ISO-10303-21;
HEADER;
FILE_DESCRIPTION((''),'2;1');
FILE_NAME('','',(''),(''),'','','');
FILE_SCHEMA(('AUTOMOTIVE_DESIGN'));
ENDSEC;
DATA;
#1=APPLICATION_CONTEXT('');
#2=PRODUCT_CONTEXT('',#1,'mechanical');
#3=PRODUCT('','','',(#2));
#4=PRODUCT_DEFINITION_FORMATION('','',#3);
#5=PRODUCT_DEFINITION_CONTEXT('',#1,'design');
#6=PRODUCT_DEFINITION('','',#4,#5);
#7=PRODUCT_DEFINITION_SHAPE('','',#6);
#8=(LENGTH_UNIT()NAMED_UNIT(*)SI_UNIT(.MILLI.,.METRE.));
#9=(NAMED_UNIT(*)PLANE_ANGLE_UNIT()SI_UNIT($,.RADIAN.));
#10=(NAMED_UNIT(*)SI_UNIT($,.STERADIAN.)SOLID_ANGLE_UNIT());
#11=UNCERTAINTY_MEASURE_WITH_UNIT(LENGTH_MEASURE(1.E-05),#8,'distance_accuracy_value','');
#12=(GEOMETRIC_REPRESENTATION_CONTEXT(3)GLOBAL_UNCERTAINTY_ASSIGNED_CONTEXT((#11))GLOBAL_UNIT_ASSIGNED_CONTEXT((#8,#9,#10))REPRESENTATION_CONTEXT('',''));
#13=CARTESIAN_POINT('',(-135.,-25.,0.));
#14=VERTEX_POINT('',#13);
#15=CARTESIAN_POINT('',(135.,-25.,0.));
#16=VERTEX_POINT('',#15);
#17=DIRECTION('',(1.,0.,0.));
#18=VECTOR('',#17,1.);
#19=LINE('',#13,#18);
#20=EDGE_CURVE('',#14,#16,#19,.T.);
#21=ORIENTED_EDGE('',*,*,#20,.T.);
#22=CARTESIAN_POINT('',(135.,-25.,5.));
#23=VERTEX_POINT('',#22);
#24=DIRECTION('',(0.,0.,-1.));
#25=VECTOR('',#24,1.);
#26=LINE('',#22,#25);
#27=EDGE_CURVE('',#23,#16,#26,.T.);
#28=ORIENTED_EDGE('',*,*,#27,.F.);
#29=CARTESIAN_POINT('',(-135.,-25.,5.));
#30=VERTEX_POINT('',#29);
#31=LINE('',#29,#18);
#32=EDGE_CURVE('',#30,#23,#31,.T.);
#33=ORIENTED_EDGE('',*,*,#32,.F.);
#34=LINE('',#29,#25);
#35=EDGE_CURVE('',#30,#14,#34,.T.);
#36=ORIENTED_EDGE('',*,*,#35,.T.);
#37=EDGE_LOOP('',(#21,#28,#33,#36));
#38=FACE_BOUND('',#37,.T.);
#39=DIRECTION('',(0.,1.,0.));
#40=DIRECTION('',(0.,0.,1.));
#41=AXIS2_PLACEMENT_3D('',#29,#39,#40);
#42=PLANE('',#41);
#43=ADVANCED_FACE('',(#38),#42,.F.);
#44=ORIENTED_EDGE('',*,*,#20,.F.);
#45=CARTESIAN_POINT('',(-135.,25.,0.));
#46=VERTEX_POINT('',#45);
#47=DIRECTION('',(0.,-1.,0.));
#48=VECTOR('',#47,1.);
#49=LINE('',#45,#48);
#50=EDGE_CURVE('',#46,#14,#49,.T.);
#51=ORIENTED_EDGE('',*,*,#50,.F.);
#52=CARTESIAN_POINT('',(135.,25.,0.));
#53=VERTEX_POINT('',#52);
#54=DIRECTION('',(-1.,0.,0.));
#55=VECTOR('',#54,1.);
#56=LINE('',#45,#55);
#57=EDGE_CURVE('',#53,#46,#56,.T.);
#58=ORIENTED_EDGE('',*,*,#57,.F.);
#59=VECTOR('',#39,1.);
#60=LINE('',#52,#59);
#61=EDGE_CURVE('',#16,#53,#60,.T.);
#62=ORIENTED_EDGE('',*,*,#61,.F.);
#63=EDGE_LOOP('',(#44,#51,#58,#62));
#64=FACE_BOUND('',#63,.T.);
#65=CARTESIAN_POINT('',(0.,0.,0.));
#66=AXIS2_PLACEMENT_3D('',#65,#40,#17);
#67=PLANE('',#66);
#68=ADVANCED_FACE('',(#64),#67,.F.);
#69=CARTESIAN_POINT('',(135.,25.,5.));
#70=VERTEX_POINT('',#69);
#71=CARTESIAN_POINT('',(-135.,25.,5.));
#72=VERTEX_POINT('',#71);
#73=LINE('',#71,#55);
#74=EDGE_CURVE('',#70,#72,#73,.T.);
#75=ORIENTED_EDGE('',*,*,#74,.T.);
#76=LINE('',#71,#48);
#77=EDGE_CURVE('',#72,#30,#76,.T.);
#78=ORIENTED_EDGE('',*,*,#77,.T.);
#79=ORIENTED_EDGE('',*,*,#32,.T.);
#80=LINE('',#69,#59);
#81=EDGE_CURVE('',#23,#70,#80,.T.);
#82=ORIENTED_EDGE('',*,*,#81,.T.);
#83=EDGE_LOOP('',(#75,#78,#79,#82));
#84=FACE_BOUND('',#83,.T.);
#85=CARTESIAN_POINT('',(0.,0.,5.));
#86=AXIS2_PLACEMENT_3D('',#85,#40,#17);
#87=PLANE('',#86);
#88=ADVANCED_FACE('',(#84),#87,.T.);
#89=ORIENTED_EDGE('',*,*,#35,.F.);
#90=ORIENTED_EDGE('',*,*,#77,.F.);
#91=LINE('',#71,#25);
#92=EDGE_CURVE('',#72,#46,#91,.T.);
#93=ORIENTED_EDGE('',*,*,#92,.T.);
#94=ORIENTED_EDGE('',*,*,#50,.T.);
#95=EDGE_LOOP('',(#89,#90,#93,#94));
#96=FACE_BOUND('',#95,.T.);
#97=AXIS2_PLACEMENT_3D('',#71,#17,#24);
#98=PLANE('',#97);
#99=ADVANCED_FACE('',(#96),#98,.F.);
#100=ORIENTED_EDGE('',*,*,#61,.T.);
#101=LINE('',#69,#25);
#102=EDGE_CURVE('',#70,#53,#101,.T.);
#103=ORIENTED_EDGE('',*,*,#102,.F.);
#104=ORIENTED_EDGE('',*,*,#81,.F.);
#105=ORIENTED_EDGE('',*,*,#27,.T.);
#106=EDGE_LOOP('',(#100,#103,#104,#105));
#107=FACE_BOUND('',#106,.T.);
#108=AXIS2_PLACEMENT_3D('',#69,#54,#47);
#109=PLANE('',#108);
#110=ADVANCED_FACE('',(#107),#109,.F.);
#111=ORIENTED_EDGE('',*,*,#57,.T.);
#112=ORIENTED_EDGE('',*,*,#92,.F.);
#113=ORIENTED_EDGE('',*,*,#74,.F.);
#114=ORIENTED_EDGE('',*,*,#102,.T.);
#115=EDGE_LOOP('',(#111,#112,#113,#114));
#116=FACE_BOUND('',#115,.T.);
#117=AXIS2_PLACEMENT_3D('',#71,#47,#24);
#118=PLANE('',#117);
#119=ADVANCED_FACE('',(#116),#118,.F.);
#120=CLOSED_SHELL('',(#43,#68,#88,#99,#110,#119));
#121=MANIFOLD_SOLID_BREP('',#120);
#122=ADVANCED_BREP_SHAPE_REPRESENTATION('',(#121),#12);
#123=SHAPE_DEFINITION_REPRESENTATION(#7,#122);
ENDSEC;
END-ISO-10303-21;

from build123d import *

# Parameters (mm, degrees)
ESQUISSE1_W        = 270
ESQUISSE1_H        = 50
BOSS_EXTRU_1_DEPTH = 5


with BuildPart() as part:
    # Esquisse1 → Boss.-Extru.1 (new body)
    with BuildSketch(Plane.XY):
        Rectangle(ESQUISSE1_W, ESQUISSE1_H)
    extrude(amount=BOSS_EXTRU_1_DEPTH)


solid = part.part
